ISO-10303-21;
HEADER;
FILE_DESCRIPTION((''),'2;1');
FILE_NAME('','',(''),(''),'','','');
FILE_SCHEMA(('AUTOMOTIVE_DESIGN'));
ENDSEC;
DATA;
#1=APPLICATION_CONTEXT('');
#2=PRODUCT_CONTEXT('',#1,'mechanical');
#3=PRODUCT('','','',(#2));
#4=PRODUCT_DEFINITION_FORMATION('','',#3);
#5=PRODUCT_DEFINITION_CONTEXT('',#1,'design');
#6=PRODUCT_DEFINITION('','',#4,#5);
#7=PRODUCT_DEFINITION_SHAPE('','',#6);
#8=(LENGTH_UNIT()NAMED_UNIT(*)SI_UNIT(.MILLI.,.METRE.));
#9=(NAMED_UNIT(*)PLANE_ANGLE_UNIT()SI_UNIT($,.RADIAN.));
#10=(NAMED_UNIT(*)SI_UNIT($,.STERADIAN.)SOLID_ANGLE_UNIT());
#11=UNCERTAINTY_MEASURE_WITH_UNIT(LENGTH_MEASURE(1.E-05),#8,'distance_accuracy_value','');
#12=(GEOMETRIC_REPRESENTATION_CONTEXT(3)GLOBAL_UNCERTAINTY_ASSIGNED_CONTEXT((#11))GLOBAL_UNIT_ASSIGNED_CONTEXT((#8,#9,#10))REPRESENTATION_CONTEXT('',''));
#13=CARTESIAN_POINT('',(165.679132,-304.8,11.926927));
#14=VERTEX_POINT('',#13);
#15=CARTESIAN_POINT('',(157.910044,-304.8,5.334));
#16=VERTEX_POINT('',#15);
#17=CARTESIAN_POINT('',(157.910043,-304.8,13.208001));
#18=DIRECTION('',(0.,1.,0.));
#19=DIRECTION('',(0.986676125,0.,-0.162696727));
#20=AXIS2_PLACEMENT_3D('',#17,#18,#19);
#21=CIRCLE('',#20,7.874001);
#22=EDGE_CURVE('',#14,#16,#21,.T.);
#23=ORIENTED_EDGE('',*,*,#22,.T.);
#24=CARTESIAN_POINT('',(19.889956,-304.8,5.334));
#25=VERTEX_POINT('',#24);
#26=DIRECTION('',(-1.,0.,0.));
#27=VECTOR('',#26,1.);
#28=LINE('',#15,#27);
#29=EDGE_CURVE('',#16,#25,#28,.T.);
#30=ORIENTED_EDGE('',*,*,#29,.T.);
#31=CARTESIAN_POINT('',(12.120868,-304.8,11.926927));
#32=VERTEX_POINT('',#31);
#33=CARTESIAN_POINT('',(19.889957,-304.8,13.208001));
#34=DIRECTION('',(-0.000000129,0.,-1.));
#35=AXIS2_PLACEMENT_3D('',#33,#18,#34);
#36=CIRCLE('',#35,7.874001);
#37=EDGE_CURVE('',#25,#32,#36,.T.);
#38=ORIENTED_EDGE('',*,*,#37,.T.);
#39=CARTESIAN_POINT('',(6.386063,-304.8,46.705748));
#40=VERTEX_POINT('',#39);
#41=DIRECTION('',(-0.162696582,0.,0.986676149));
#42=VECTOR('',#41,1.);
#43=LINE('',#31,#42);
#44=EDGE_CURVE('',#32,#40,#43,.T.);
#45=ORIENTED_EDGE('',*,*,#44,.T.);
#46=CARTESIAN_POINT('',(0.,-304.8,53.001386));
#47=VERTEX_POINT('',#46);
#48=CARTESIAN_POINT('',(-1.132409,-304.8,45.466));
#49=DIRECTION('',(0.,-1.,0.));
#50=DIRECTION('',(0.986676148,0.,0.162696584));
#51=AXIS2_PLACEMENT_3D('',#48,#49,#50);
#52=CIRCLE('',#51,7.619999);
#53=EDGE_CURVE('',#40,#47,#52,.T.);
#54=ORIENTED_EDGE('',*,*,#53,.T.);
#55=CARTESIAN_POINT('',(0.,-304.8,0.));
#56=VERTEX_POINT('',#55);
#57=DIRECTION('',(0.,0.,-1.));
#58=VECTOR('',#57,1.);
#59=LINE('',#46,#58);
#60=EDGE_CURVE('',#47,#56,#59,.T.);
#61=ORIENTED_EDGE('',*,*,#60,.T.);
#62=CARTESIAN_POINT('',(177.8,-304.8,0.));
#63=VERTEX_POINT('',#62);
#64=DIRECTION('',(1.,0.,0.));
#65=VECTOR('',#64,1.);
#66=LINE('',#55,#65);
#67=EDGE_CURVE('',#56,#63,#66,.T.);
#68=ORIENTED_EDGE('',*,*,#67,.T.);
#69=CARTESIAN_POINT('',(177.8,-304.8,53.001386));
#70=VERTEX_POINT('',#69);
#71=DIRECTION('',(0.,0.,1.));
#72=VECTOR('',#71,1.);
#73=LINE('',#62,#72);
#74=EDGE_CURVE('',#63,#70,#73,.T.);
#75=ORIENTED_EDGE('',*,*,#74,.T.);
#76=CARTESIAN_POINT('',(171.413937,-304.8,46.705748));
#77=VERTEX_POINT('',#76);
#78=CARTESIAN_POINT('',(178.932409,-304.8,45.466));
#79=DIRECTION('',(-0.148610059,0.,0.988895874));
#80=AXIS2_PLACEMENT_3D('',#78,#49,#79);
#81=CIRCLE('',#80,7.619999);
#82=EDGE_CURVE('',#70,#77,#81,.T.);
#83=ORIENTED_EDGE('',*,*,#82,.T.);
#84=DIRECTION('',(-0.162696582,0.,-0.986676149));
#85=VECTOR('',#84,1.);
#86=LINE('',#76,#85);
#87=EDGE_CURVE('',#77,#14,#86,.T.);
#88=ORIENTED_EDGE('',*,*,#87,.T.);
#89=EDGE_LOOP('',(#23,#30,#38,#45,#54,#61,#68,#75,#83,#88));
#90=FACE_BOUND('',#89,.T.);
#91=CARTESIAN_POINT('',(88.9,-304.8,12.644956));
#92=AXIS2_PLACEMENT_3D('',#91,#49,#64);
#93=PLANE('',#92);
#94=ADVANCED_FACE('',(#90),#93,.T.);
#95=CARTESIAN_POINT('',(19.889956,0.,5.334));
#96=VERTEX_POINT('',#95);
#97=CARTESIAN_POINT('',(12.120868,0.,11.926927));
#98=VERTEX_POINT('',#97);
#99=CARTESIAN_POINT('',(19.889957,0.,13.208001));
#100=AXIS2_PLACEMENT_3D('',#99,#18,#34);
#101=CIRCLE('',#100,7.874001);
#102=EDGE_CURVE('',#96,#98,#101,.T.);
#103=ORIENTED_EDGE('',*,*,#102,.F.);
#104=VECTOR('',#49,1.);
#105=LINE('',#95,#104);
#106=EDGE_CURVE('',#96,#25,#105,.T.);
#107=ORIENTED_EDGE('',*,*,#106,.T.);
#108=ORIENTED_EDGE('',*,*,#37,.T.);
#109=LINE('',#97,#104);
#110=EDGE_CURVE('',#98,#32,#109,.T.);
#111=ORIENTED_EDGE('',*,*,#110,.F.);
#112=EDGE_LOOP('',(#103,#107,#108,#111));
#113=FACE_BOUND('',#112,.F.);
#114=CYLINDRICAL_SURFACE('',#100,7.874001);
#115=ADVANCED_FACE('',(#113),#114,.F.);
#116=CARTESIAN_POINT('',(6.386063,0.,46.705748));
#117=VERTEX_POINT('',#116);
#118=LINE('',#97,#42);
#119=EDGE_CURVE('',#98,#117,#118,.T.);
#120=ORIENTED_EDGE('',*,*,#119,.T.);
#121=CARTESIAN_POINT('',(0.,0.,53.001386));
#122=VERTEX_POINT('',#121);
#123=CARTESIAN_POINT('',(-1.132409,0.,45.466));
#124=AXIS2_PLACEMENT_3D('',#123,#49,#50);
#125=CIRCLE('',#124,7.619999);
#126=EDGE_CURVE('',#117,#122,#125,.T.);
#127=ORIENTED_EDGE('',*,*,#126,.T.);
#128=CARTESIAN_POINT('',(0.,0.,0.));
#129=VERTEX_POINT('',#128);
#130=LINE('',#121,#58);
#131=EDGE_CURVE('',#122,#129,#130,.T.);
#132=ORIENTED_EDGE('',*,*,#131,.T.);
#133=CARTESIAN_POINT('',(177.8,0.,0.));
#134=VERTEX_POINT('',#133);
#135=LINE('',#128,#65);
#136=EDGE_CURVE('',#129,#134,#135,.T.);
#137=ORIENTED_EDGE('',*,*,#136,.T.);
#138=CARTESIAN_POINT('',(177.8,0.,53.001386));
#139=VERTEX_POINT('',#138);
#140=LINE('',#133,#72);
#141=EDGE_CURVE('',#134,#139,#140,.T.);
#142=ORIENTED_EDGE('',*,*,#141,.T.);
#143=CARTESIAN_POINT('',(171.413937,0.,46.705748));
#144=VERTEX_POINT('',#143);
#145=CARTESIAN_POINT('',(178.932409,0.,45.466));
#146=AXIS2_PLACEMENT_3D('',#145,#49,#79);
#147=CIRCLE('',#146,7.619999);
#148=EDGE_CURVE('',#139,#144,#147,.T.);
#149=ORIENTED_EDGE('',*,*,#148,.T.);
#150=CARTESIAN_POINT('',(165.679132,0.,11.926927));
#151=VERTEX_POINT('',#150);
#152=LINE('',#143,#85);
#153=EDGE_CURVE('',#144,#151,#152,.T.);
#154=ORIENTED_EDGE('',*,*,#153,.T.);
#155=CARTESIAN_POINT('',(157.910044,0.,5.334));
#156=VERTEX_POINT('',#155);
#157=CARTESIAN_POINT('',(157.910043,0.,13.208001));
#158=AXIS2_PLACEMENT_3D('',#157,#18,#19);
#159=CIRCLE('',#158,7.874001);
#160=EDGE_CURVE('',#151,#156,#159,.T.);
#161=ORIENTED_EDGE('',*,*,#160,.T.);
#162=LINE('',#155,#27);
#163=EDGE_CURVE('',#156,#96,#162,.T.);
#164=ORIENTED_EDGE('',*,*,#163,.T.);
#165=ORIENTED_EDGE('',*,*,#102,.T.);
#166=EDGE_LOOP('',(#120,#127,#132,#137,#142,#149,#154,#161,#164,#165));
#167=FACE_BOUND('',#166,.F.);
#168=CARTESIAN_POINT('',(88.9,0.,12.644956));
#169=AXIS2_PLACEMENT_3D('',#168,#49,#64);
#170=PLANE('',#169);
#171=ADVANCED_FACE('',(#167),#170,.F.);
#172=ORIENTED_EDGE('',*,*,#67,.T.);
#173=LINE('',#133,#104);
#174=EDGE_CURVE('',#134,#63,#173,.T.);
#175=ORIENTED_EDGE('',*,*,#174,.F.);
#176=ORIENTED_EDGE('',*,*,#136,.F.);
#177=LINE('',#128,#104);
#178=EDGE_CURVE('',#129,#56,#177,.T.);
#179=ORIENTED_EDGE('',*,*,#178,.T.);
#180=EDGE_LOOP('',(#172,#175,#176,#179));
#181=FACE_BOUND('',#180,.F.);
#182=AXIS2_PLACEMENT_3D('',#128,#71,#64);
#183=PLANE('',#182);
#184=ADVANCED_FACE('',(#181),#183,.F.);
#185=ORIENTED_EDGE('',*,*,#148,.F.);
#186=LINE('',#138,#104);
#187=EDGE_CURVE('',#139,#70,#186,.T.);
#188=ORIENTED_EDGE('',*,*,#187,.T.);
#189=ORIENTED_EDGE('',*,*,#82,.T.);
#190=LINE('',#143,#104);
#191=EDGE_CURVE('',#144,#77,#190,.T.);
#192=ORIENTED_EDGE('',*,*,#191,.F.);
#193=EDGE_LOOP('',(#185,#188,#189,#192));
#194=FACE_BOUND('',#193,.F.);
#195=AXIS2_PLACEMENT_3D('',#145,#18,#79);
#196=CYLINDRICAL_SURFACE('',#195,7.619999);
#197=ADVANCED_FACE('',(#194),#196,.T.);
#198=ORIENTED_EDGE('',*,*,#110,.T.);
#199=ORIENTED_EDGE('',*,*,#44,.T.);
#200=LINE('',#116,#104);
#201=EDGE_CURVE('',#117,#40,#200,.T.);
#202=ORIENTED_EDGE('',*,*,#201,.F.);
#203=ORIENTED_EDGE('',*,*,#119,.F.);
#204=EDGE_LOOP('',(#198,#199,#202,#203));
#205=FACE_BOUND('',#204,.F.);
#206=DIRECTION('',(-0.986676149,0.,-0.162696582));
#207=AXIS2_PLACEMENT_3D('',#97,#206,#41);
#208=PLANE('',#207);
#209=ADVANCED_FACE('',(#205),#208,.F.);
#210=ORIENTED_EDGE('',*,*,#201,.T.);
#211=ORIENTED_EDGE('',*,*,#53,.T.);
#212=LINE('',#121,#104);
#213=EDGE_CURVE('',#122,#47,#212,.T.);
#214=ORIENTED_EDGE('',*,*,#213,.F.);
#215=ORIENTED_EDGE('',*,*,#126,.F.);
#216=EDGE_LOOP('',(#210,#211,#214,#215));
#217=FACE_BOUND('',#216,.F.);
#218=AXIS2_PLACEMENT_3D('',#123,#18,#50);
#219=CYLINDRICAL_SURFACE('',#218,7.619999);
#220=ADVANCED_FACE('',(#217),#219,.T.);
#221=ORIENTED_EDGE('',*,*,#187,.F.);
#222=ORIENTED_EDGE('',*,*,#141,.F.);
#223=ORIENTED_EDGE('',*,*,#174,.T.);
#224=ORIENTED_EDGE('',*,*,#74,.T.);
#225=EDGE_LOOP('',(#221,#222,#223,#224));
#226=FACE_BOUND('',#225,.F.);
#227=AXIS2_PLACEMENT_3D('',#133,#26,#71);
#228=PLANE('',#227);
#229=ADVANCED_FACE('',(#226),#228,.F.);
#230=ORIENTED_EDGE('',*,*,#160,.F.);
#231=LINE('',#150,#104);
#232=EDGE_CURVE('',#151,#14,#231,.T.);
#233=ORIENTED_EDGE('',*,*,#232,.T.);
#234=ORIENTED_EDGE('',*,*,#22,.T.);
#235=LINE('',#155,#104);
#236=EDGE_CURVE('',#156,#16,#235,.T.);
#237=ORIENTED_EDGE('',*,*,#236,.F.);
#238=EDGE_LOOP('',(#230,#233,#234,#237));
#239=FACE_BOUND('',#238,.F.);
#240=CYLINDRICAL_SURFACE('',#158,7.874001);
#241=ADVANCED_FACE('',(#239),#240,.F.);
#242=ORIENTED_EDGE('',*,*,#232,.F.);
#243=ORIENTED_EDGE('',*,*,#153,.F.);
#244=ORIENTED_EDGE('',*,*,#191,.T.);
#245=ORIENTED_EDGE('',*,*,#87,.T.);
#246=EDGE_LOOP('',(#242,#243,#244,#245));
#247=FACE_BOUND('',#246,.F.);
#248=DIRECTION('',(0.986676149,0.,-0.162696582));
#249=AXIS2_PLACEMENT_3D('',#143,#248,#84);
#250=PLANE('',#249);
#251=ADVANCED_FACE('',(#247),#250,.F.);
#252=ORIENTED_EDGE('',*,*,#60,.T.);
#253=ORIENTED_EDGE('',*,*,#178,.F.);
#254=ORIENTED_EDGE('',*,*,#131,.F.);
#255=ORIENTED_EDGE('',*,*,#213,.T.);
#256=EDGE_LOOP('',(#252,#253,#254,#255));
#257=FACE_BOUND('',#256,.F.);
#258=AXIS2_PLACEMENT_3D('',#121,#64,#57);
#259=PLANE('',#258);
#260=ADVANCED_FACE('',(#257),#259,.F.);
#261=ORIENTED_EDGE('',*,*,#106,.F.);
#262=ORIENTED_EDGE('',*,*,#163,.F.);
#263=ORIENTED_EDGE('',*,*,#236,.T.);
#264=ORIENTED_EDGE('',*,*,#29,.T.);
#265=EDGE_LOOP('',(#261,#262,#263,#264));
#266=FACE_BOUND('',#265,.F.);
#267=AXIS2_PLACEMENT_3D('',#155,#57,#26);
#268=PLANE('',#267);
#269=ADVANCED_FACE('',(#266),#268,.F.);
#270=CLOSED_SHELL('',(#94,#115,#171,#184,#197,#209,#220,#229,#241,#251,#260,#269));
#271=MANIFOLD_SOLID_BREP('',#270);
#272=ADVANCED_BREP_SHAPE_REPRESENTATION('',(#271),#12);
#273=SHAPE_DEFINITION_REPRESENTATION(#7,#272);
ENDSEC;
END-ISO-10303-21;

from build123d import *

# Parameters (mm, degrees)
F1_DEPTH = 304.8


with BuildPart() as f1:
    # F0 (on Front) → F1 (new body)
    with BuildSketch(Plane.XZ):
        with BuildLine():
            Line((0, 53.001386), (0, 0))
            Line((0, 0), (177.8, 0))
            Line((177.8, 0), (177.8, 53.001386))
            ThreePointArc((177.8, 53.001386), (173.582811, 50.892435), (171.413937, 46.705748))
            Line((171.413937, 46.705748), (165.679132, 11.926927))
            ThreePointArc((165.679132, 11.926927), (163.004781, 7.204374), (157.910044, 5.334))
            Line((157.910044, 5.334), (19.889956, 5.334))
            ThreePointArc((19.889956, 5.334), (14.795219, 7.204374), (12.120868, 11.926927))
            Line((12.120868, 11.926927), (6.386063, 46.705748))
            ThreePointArc((6.386063, 46.705748), (4.217189, 50.892435), (0, 53.001386))
        make_face()
    extrude(amount=F1_DEPTH)


solid = f1.part
